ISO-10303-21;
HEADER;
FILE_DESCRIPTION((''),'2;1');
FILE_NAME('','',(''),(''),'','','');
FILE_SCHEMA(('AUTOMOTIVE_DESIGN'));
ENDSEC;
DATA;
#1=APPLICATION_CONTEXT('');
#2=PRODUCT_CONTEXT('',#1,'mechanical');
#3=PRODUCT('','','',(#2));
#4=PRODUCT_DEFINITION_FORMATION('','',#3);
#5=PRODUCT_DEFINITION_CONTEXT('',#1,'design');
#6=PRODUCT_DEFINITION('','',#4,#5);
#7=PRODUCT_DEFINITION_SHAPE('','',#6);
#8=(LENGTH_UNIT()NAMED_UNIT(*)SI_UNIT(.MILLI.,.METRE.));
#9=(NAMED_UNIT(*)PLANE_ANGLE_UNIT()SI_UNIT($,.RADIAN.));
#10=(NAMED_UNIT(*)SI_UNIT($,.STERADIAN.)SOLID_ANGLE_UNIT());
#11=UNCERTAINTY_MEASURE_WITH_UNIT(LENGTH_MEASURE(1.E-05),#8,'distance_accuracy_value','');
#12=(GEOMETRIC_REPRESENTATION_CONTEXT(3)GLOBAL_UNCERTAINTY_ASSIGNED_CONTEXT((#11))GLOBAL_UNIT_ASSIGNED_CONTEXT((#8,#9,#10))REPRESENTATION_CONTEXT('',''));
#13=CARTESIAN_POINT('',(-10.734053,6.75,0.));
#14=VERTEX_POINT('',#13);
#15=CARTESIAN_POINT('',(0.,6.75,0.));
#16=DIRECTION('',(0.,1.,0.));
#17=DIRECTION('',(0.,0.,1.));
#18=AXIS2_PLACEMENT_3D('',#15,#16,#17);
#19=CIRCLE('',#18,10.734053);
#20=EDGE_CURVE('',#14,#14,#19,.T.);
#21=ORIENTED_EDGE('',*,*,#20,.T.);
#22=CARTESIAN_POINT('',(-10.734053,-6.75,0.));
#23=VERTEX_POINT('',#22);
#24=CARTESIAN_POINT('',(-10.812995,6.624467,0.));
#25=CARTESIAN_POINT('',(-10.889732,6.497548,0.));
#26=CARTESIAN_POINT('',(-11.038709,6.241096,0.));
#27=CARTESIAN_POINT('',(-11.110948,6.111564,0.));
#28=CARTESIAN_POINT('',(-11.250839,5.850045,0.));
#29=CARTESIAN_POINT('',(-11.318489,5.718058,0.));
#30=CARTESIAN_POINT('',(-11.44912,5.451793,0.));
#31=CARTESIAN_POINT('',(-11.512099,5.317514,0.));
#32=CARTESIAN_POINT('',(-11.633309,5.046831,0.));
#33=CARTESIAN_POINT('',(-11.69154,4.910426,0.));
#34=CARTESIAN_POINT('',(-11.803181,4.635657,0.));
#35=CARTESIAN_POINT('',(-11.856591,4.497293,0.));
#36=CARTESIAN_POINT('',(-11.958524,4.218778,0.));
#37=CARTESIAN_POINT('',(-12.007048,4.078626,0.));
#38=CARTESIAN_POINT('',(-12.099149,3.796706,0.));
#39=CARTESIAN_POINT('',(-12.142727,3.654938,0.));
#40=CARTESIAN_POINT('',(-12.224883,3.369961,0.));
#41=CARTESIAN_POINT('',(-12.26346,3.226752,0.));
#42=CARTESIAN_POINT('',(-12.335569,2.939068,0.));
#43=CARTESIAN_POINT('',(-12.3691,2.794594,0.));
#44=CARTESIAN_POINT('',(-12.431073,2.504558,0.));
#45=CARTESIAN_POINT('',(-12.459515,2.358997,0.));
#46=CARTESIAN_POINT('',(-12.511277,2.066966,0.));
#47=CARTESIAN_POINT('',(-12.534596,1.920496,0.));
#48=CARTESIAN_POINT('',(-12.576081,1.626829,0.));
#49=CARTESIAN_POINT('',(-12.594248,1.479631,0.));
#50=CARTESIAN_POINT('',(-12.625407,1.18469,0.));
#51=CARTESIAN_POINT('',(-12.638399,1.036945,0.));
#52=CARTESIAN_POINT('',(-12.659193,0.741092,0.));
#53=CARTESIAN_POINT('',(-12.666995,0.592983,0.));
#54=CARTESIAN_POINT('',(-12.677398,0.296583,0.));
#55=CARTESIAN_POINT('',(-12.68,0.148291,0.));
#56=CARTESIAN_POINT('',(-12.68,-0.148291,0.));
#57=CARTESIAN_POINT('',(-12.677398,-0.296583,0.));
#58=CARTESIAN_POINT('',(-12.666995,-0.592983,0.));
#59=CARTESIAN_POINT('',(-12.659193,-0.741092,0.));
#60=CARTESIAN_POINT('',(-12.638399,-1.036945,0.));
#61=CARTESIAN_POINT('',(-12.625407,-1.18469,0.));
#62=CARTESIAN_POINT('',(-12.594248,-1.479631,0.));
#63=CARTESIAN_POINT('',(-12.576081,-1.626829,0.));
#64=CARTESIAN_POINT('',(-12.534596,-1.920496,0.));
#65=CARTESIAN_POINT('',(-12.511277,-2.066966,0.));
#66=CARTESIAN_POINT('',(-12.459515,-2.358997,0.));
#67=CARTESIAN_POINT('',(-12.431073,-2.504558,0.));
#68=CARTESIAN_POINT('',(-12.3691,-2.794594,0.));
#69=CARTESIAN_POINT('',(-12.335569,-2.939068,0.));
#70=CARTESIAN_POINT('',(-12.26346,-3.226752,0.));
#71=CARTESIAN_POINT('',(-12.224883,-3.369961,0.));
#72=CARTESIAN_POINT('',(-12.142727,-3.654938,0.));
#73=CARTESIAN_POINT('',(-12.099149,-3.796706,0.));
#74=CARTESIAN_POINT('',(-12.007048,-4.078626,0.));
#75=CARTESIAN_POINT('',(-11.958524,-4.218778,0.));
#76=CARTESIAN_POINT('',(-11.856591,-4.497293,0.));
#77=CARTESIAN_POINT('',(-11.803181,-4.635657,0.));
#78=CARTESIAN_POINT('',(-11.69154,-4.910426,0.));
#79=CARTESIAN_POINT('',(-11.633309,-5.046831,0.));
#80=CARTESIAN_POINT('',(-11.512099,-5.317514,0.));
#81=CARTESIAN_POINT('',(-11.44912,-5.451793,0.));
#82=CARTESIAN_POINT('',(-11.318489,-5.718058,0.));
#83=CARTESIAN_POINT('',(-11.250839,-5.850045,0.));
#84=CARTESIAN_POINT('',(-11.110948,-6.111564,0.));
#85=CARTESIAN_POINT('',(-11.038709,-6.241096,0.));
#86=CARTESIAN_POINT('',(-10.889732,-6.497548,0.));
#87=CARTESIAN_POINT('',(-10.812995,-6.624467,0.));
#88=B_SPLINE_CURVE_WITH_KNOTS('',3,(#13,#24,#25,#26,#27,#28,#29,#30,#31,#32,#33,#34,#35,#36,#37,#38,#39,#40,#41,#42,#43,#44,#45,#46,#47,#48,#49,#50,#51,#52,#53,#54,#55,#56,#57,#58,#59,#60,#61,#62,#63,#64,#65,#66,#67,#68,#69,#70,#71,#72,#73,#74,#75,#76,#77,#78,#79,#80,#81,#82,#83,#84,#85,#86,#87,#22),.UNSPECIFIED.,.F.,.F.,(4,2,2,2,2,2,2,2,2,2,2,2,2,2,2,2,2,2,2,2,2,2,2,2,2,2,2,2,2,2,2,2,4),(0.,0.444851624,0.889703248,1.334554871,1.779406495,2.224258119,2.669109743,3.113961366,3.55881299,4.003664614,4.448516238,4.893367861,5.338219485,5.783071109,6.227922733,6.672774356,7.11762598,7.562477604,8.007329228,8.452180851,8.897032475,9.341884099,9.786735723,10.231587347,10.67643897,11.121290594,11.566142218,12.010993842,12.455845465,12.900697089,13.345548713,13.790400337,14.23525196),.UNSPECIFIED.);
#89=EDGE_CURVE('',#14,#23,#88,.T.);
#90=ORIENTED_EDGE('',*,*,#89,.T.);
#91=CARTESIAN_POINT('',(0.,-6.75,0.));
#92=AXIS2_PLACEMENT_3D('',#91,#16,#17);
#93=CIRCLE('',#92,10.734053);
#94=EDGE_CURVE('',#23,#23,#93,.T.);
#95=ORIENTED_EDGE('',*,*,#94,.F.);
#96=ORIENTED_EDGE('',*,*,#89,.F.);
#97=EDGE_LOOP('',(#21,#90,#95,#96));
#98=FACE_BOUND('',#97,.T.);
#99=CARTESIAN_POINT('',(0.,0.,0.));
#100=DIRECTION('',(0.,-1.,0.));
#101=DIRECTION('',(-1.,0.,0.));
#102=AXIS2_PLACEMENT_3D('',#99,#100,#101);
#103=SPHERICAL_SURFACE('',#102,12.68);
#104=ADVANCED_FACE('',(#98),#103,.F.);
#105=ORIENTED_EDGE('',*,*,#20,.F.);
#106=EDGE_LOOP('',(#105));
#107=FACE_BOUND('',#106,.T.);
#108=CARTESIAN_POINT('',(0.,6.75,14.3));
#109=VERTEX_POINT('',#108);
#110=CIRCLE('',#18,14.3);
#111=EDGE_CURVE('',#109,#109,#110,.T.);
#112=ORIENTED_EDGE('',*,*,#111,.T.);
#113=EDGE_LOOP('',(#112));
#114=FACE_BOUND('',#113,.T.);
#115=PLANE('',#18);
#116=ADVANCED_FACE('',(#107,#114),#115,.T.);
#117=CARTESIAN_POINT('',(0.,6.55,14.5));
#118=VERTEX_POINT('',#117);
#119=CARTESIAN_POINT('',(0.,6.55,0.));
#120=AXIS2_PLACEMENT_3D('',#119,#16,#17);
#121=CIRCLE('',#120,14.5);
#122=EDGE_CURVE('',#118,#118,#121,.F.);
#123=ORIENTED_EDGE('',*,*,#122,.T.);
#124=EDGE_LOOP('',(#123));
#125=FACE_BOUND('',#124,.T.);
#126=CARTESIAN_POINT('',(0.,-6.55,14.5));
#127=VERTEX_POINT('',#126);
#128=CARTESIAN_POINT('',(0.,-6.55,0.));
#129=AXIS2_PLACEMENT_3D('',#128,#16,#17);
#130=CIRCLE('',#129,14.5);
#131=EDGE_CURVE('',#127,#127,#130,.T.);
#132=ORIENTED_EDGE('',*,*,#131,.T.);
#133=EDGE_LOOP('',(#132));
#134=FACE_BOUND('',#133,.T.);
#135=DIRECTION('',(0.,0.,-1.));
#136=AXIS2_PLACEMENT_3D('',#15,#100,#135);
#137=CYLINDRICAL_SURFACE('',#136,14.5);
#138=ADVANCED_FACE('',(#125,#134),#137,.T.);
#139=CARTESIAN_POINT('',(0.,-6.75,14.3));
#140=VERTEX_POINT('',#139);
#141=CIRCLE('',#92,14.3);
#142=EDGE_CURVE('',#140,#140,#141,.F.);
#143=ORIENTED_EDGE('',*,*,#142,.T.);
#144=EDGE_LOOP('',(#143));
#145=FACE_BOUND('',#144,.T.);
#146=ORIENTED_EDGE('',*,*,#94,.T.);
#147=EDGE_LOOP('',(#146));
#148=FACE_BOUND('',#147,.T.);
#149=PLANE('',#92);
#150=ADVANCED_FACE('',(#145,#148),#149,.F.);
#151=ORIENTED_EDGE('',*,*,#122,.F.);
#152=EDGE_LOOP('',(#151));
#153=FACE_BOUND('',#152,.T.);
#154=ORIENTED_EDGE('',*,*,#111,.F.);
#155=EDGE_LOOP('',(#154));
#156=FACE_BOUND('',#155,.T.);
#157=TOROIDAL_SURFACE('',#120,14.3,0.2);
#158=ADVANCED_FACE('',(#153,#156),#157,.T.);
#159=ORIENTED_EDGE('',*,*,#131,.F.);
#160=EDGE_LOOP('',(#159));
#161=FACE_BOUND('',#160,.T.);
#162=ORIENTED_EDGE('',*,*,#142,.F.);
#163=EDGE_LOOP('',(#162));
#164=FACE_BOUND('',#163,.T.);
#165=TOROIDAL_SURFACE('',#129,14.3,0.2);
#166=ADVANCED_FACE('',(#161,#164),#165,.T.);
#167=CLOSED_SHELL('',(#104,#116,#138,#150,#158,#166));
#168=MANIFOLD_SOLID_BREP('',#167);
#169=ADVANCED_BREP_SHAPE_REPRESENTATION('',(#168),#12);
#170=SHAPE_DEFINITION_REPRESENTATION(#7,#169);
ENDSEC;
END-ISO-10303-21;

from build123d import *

# Parameters (mm, degrees)
SZKIC1_R                    = 14.5
DODANIE_WYCI_GNI_CIE1_DEPTH = 6.75
ZAOKR_GLENIE1_R             = 0.2


with BuildPart() as part:
    # Szkic1 → Dodanie-wyciągnięcie1 (new, symmetric)
    with BuildSketch(Plane(origin=(0, 0, 0), x_dir=(1, 0, 0), z_dir=(0, 1, 0))):
        with Locations(Location((0, 0, 0), (0, 0, 270))):
            Circle(SZKIC1_R)
    extrude(amount=DODANIE_WYCI_GNI_CIE1_DEPTH, both=True)

    # Szkic3 → Wycięcie-obrót1 (revolve, cut)
    with BuildSketch(Plane.XY):
        with BuildLine():
            Line((0, -12.68), (0, 12.68))
            ThreePointArc((0, 12.68), (12.68, 0), (0, -12.68))
        make_face()
    revolve(axis=Axis((0, -12.68, 0), (0, 1, 0)), mode=Mode.SUBTRACT)

    # Zaokrąglenie1
    zaokr_glenie1_edges = [part.edges().sort_by_distance(p)[0] for p in [
        (0, -6.75, -14.5),
        (0, 6.75, -14.5),
    ]]
    fillet(zaokr_glenie1_edges, radius=ZAOKR_GLENIE1_R)


solid = part.part
